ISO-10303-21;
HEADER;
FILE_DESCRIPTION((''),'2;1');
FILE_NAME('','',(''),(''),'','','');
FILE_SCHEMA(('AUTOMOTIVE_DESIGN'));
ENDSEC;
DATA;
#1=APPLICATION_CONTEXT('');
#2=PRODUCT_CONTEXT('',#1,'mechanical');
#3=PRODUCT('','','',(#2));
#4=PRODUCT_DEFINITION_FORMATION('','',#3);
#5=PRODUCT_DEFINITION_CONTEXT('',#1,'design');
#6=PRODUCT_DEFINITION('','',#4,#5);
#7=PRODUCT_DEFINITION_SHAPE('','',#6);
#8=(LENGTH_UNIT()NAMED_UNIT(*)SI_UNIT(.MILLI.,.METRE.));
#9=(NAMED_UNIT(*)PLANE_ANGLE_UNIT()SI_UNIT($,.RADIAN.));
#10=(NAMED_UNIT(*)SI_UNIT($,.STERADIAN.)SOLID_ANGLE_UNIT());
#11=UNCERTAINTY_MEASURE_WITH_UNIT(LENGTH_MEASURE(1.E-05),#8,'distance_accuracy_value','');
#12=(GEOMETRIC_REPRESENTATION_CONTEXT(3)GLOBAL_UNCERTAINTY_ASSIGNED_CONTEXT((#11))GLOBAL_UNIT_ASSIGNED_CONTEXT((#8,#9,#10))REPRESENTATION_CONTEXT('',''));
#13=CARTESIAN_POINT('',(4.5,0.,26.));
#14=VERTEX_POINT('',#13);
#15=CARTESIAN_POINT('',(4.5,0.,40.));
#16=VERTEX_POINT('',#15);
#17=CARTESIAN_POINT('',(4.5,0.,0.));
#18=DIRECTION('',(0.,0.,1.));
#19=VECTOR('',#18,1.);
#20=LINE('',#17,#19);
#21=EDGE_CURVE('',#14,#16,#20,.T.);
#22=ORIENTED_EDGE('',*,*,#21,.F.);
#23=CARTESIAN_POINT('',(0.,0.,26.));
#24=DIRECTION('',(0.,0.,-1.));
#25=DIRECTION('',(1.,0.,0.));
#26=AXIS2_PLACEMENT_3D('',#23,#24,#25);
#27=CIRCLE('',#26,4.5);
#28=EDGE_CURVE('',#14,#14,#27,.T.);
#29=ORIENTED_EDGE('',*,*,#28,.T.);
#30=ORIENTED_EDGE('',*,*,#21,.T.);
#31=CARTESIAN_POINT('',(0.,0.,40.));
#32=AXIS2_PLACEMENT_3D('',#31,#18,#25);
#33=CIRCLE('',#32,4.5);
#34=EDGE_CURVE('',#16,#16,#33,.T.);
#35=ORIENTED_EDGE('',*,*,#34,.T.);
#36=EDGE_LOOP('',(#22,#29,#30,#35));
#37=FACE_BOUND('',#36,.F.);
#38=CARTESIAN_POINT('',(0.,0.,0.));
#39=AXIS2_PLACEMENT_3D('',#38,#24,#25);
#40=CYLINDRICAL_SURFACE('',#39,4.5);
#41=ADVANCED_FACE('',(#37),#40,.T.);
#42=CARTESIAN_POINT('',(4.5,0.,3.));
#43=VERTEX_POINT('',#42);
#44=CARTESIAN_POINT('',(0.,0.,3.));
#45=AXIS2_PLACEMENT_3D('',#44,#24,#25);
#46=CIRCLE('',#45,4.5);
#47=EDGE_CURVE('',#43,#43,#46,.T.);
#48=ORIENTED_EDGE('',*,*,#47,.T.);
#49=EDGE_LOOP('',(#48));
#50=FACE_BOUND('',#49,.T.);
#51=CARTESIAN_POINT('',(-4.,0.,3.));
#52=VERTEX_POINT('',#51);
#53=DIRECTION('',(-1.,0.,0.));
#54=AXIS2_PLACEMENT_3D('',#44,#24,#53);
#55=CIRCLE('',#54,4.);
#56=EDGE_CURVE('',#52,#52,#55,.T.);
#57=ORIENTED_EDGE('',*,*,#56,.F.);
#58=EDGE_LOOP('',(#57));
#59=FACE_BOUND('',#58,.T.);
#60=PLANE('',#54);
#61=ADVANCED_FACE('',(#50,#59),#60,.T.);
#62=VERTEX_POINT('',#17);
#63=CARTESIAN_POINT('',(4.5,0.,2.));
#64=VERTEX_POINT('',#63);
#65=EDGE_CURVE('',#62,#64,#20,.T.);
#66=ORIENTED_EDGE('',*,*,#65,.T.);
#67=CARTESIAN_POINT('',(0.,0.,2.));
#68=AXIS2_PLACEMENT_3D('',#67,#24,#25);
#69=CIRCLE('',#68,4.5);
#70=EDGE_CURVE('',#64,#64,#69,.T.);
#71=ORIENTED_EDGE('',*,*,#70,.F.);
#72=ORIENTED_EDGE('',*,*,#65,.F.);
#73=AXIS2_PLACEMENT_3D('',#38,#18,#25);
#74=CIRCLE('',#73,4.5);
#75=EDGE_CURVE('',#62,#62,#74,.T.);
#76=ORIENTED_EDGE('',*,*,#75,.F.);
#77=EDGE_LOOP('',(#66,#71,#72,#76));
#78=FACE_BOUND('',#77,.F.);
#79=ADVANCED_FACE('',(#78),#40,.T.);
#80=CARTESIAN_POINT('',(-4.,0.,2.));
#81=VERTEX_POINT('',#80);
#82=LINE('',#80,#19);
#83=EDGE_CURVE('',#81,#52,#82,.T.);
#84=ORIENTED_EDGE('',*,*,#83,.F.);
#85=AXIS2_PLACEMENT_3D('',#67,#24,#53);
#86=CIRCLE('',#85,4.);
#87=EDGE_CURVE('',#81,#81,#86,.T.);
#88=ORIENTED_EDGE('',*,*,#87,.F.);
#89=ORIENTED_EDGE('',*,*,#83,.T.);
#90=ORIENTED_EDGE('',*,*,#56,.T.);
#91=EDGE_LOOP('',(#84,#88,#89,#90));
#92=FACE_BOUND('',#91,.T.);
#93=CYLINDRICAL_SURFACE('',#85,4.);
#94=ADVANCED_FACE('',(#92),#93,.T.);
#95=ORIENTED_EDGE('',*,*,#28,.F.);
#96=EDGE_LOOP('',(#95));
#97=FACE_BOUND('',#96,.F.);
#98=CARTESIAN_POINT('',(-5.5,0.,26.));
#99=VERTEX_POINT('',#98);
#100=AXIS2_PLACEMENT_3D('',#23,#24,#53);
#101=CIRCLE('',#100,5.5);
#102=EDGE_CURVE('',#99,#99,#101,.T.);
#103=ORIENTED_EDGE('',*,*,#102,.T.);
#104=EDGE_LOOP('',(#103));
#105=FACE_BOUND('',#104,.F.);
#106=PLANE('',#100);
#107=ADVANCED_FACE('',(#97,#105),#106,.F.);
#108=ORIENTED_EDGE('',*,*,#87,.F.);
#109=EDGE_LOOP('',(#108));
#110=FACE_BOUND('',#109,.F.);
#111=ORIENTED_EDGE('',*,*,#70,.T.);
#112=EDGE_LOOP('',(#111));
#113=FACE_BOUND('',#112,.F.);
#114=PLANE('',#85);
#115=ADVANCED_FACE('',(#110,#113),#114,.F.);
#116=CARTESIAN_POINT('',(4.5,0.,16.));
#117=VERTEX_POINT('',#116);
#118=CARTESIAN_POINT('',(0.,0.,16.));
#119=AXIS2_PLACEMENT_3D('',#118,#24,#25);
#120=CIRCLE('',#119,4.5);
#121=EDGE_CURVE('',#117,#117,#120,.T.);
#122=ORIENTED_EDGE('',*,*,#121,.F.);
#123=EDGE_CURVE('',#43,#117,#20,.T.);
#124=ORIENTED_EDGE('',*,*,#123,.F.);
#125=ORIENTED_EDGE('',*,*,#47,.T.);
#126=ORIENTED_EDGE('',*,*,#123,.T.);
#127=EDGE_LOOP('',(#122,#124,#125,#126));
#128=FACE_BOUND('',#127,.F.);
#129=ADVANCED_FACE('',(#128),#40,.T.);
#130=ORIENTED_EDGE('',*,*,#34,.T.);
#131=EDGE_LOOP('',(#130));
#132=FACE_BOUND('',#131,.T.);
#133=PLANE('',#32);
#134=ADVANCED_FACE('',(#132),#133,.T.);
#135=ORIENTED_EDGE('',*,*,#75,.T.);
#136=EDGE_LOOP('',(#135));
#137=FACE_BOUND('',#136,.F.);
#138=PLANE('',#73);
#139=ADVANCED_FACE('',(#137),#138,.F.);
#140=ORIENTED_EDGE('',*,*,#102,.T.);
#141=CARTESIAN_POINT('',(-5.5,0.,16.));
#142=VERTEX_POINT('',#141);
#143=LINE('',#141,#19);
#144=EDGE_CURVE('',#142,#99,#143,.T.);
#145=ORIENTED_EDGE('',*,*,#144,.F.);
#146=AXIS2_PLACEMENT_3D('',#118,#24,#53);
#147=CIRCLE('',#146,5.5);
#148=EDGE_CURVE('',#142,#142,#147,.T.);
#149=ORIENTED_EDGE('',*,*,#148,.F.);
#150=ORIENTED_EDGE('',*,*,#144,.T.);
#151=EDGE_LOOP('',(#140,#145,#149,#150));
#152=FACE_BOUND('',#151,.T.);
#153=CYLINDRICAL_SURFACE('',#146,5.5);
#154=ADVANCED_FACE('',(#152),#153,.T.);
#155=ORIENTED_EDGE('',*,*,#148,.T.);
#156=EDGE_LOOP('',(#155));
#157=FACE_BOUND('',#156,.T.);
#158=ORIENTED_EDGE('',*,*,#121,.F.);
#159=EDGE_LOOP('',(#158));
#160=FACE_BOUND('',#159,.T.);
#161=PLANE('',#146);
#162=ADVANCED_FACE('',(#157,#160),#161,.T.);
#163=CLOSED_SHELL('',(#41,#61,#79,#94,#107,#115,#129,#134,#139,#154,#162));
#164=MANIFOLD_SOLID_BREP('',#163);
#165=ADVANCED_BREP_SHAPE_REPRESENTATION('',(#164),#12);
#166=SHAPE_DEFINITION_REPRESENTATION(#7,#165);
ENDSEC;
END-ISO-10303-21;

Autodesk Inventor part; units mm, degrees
ref_plane "YZ Plane" through (0, 0, 0) normal (1, 0, 0) x (0, 1, 0)
sketch "草圖2" plane through (0, 0, 0) normal (0, 0, 1) x (1, 0, 0)
  circle A0 centre (0, 0) radius 4.5
  dimension "d3" = 9
extrude "擠出2" add sketch "草圖2" along normal blind 40
ref_plane "工作平面3" through (0, 0, 16) normal (0, 0, -1) x (-1, 0, 0)
sketch "草圖5" plane through (0, 0, 16) normal (0, 0, -1) x (-1, 0, 0)
  circle A0 centre (0, 0) radius 5.5
  dimension "d15" = 11
extrude "擠出5" add sketch "草圖5" against normal blind 10
ref_plane "工作平面4" through (0, 0, 2) normal (0, 0, -1) x (-1, 0, 0)
sketch "草圖6" plane through (0, 0, 2) normal (0, 0, -1) x (-1, 0, 0)
  circle A0 centre (0, 0) radius 4
  circle A1 centre (0, 0) radius 4.5 projected
  dimension "d19" = 8
extrude "擠出6" cut sketch "草圖6" against normal blind 1
properties part number "Stage1_carrier_shaft"
